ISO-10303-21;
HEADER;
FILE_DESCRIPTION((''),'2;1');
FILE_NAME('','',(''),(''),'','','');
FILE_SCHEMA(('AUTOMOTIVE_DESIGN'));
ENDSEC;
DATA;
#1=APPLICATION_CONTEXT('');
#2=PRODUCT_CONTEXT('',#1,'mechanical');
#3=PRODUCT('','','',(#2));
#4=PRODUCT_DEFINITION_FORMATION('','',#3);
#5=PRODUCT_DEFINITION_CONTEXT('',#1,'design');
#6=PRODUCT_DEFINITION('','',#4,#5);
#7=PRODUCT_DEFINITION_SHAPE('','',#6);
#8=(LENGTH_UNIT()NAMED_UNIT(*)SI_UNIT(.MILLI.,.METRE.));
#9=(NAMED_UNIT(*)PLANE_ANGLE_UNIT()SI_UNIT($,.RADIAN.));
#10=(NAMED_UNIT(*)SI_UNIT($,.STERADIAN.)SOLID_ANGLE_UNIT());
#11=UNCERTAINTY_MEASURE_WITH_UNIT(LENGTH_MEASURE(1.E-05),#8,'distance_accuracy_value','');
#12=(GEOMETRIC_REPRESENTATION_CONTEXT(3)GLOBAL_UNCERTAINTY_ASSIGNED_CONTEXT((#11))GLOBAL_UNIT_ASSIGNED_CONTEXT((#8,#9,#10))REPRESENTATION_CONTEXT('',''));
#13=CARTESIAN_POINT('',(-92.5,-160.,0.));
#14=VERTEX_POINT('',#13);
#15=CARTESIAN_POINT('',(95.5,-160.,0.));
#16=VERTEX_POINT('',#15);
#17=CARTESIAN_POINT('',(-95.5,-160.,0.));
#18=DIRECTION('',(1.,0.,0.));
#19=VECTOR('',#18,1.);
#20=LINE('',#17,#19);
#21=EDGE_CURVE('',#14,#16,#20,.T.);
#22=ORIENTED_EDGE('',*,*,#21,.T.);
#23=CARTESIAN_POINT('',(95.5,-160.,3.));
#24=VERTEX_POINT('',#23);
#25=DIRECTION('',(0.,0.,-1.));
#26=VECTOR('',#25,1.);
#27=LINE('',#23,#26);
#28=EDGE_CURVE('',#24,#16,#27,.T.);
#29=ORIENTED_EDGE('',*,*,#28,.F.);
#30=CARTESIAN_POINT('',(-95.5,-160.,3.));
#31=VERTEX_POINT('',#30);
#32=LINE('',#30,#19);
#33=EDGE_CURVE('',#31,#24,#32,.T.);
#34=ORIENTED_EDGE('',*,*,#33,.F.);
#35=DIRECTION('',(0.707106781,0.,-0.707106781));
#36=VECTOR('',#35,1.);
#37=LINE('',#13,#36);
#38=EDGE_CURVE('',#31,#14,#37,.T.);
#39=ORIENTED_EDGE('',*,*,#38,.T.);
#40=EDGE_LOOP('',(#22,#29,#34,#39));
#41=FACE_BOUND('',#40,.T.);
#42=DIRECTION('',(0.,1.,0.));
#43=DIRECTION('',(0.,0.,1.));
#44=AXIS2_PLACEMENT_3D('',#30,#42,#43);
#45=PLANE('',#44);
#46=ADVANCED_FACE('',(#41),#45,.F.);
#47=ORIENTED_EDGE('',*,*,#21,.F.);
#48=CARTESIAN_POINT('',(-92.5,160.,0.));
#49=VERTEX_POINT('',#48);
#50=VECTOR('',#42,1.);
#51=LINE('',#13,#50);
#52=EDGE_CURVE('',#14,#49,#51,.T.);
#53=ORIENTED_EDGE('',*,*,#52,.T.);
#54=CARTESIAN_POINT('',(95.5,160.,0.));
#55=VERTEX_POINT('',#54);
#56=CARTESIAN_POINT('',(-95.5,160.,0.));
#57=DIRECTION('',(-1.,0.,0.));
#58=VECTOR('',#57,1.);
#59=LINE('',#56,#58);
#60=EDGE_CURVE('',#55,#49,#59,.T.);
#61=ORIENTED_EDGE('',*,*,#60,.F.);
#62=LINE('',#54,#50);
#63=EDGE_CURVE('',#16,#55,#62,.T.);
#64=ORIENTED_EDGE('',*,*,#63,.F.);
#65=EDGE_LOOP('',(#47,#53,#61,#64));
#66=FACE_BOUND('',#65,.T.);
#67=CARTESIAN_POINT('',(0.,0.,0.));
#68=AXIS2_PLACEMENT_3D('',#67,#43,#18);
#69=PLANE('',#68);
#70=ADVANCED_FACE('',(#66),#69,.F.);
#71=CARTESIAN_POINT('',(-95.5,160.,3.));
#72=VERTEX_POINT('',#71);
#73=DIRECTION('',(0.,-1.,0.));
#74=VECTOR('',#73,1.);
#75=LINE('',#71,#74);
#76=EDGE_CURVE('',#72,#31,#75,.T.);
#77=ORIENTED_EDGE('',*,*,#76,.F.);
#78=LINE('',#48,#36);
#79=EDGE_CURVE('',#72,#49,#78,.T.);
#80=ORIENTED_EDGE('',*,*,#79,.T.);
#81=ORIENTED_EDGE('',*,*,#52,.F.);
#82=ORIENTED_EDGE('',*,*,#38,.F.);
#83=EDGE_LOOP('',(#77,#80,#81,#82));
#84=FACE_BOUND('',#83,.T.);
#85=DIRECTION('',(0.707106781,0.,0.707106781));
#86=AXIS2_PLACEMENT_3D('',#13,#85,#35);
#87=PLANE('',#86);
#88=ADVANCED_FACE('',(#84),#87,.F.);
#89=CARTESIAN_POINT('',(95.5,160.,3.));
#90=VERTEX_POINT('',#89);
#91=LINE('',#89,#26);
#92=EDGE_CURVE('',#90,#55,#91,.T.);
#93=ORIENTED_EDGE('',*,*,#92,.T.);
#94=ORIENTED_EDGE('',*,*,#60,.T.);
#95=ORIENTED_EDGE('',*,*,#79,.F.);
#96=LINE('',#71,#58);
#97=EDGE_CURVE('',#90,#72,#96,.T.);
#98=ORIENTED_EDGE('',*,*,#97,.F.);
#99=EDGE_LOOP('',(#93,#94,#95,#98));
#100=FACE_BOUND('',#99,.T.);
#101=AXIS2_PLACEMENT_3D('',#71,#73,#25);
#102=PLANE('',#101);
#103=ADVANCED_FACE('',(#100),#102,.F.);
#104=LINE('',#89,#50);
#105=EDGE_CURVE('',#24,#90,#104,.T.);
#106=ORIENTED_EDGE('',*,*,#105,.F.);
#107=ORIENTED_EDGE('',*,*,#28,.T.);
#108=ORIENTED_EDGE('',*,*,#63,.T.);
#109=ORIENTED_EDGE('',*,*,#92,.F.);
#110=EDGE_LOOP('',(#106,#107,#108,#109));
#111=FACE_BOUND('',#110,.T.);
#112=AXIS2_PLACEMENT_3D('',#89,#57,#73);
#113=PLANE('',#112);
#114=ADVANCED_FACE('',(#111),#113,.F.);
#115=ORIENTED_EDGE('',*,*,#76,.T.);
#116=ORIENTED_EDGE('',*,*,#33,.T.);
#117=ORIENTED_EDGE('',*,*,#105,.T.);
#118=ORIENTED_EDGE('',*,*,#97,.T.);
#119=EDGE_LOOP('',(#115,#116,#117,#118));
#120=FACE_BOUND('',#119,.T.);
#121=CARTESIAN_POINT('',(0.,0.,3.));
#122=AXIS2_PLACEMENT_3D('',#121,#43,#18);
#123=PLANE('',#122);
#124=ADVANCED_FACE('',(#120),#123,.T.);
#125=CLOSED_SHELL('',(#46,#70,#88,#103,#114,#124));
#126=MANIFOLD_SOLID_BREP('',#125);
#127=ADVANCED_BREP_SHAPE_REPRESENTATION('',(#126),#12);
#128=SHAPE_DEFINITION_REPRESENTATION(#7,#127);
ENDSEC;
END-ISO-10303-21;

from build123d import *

# Parameters (mm, degrees)
SKETCH_1_W          = 191
SKETCH_1_H          = 320
EXTRUDE_1_DEPTH     = 3
CUT_EXTRUDE_4_DEPTH = 334.959952689


with BuildPart() as part:
    # 草图1 → 凸台-拉伸1 (new body)
    with BuildSketch(Plane.XY):
        Rectangle(SKETCH_1_W, SKETCH_1_H)
    extrude(amount=EXTRUDE_1_DEPTH)

    # 草图4 → 切除-拉伸4 (cut, through all)
    with BuildSketch(Plane(origin=(0, 160, 0), x_dir=(1, 0, 0), z_dir=(0, 1, 0))):
        Polygon((-95.5, -3), (-95.5, 0), (-92.5, 0), align=None)
    extrude(amount=-CUT_EXTRUDE_4_DEPTH, mode=Mode.SUBTRACT)


solid = part.part
